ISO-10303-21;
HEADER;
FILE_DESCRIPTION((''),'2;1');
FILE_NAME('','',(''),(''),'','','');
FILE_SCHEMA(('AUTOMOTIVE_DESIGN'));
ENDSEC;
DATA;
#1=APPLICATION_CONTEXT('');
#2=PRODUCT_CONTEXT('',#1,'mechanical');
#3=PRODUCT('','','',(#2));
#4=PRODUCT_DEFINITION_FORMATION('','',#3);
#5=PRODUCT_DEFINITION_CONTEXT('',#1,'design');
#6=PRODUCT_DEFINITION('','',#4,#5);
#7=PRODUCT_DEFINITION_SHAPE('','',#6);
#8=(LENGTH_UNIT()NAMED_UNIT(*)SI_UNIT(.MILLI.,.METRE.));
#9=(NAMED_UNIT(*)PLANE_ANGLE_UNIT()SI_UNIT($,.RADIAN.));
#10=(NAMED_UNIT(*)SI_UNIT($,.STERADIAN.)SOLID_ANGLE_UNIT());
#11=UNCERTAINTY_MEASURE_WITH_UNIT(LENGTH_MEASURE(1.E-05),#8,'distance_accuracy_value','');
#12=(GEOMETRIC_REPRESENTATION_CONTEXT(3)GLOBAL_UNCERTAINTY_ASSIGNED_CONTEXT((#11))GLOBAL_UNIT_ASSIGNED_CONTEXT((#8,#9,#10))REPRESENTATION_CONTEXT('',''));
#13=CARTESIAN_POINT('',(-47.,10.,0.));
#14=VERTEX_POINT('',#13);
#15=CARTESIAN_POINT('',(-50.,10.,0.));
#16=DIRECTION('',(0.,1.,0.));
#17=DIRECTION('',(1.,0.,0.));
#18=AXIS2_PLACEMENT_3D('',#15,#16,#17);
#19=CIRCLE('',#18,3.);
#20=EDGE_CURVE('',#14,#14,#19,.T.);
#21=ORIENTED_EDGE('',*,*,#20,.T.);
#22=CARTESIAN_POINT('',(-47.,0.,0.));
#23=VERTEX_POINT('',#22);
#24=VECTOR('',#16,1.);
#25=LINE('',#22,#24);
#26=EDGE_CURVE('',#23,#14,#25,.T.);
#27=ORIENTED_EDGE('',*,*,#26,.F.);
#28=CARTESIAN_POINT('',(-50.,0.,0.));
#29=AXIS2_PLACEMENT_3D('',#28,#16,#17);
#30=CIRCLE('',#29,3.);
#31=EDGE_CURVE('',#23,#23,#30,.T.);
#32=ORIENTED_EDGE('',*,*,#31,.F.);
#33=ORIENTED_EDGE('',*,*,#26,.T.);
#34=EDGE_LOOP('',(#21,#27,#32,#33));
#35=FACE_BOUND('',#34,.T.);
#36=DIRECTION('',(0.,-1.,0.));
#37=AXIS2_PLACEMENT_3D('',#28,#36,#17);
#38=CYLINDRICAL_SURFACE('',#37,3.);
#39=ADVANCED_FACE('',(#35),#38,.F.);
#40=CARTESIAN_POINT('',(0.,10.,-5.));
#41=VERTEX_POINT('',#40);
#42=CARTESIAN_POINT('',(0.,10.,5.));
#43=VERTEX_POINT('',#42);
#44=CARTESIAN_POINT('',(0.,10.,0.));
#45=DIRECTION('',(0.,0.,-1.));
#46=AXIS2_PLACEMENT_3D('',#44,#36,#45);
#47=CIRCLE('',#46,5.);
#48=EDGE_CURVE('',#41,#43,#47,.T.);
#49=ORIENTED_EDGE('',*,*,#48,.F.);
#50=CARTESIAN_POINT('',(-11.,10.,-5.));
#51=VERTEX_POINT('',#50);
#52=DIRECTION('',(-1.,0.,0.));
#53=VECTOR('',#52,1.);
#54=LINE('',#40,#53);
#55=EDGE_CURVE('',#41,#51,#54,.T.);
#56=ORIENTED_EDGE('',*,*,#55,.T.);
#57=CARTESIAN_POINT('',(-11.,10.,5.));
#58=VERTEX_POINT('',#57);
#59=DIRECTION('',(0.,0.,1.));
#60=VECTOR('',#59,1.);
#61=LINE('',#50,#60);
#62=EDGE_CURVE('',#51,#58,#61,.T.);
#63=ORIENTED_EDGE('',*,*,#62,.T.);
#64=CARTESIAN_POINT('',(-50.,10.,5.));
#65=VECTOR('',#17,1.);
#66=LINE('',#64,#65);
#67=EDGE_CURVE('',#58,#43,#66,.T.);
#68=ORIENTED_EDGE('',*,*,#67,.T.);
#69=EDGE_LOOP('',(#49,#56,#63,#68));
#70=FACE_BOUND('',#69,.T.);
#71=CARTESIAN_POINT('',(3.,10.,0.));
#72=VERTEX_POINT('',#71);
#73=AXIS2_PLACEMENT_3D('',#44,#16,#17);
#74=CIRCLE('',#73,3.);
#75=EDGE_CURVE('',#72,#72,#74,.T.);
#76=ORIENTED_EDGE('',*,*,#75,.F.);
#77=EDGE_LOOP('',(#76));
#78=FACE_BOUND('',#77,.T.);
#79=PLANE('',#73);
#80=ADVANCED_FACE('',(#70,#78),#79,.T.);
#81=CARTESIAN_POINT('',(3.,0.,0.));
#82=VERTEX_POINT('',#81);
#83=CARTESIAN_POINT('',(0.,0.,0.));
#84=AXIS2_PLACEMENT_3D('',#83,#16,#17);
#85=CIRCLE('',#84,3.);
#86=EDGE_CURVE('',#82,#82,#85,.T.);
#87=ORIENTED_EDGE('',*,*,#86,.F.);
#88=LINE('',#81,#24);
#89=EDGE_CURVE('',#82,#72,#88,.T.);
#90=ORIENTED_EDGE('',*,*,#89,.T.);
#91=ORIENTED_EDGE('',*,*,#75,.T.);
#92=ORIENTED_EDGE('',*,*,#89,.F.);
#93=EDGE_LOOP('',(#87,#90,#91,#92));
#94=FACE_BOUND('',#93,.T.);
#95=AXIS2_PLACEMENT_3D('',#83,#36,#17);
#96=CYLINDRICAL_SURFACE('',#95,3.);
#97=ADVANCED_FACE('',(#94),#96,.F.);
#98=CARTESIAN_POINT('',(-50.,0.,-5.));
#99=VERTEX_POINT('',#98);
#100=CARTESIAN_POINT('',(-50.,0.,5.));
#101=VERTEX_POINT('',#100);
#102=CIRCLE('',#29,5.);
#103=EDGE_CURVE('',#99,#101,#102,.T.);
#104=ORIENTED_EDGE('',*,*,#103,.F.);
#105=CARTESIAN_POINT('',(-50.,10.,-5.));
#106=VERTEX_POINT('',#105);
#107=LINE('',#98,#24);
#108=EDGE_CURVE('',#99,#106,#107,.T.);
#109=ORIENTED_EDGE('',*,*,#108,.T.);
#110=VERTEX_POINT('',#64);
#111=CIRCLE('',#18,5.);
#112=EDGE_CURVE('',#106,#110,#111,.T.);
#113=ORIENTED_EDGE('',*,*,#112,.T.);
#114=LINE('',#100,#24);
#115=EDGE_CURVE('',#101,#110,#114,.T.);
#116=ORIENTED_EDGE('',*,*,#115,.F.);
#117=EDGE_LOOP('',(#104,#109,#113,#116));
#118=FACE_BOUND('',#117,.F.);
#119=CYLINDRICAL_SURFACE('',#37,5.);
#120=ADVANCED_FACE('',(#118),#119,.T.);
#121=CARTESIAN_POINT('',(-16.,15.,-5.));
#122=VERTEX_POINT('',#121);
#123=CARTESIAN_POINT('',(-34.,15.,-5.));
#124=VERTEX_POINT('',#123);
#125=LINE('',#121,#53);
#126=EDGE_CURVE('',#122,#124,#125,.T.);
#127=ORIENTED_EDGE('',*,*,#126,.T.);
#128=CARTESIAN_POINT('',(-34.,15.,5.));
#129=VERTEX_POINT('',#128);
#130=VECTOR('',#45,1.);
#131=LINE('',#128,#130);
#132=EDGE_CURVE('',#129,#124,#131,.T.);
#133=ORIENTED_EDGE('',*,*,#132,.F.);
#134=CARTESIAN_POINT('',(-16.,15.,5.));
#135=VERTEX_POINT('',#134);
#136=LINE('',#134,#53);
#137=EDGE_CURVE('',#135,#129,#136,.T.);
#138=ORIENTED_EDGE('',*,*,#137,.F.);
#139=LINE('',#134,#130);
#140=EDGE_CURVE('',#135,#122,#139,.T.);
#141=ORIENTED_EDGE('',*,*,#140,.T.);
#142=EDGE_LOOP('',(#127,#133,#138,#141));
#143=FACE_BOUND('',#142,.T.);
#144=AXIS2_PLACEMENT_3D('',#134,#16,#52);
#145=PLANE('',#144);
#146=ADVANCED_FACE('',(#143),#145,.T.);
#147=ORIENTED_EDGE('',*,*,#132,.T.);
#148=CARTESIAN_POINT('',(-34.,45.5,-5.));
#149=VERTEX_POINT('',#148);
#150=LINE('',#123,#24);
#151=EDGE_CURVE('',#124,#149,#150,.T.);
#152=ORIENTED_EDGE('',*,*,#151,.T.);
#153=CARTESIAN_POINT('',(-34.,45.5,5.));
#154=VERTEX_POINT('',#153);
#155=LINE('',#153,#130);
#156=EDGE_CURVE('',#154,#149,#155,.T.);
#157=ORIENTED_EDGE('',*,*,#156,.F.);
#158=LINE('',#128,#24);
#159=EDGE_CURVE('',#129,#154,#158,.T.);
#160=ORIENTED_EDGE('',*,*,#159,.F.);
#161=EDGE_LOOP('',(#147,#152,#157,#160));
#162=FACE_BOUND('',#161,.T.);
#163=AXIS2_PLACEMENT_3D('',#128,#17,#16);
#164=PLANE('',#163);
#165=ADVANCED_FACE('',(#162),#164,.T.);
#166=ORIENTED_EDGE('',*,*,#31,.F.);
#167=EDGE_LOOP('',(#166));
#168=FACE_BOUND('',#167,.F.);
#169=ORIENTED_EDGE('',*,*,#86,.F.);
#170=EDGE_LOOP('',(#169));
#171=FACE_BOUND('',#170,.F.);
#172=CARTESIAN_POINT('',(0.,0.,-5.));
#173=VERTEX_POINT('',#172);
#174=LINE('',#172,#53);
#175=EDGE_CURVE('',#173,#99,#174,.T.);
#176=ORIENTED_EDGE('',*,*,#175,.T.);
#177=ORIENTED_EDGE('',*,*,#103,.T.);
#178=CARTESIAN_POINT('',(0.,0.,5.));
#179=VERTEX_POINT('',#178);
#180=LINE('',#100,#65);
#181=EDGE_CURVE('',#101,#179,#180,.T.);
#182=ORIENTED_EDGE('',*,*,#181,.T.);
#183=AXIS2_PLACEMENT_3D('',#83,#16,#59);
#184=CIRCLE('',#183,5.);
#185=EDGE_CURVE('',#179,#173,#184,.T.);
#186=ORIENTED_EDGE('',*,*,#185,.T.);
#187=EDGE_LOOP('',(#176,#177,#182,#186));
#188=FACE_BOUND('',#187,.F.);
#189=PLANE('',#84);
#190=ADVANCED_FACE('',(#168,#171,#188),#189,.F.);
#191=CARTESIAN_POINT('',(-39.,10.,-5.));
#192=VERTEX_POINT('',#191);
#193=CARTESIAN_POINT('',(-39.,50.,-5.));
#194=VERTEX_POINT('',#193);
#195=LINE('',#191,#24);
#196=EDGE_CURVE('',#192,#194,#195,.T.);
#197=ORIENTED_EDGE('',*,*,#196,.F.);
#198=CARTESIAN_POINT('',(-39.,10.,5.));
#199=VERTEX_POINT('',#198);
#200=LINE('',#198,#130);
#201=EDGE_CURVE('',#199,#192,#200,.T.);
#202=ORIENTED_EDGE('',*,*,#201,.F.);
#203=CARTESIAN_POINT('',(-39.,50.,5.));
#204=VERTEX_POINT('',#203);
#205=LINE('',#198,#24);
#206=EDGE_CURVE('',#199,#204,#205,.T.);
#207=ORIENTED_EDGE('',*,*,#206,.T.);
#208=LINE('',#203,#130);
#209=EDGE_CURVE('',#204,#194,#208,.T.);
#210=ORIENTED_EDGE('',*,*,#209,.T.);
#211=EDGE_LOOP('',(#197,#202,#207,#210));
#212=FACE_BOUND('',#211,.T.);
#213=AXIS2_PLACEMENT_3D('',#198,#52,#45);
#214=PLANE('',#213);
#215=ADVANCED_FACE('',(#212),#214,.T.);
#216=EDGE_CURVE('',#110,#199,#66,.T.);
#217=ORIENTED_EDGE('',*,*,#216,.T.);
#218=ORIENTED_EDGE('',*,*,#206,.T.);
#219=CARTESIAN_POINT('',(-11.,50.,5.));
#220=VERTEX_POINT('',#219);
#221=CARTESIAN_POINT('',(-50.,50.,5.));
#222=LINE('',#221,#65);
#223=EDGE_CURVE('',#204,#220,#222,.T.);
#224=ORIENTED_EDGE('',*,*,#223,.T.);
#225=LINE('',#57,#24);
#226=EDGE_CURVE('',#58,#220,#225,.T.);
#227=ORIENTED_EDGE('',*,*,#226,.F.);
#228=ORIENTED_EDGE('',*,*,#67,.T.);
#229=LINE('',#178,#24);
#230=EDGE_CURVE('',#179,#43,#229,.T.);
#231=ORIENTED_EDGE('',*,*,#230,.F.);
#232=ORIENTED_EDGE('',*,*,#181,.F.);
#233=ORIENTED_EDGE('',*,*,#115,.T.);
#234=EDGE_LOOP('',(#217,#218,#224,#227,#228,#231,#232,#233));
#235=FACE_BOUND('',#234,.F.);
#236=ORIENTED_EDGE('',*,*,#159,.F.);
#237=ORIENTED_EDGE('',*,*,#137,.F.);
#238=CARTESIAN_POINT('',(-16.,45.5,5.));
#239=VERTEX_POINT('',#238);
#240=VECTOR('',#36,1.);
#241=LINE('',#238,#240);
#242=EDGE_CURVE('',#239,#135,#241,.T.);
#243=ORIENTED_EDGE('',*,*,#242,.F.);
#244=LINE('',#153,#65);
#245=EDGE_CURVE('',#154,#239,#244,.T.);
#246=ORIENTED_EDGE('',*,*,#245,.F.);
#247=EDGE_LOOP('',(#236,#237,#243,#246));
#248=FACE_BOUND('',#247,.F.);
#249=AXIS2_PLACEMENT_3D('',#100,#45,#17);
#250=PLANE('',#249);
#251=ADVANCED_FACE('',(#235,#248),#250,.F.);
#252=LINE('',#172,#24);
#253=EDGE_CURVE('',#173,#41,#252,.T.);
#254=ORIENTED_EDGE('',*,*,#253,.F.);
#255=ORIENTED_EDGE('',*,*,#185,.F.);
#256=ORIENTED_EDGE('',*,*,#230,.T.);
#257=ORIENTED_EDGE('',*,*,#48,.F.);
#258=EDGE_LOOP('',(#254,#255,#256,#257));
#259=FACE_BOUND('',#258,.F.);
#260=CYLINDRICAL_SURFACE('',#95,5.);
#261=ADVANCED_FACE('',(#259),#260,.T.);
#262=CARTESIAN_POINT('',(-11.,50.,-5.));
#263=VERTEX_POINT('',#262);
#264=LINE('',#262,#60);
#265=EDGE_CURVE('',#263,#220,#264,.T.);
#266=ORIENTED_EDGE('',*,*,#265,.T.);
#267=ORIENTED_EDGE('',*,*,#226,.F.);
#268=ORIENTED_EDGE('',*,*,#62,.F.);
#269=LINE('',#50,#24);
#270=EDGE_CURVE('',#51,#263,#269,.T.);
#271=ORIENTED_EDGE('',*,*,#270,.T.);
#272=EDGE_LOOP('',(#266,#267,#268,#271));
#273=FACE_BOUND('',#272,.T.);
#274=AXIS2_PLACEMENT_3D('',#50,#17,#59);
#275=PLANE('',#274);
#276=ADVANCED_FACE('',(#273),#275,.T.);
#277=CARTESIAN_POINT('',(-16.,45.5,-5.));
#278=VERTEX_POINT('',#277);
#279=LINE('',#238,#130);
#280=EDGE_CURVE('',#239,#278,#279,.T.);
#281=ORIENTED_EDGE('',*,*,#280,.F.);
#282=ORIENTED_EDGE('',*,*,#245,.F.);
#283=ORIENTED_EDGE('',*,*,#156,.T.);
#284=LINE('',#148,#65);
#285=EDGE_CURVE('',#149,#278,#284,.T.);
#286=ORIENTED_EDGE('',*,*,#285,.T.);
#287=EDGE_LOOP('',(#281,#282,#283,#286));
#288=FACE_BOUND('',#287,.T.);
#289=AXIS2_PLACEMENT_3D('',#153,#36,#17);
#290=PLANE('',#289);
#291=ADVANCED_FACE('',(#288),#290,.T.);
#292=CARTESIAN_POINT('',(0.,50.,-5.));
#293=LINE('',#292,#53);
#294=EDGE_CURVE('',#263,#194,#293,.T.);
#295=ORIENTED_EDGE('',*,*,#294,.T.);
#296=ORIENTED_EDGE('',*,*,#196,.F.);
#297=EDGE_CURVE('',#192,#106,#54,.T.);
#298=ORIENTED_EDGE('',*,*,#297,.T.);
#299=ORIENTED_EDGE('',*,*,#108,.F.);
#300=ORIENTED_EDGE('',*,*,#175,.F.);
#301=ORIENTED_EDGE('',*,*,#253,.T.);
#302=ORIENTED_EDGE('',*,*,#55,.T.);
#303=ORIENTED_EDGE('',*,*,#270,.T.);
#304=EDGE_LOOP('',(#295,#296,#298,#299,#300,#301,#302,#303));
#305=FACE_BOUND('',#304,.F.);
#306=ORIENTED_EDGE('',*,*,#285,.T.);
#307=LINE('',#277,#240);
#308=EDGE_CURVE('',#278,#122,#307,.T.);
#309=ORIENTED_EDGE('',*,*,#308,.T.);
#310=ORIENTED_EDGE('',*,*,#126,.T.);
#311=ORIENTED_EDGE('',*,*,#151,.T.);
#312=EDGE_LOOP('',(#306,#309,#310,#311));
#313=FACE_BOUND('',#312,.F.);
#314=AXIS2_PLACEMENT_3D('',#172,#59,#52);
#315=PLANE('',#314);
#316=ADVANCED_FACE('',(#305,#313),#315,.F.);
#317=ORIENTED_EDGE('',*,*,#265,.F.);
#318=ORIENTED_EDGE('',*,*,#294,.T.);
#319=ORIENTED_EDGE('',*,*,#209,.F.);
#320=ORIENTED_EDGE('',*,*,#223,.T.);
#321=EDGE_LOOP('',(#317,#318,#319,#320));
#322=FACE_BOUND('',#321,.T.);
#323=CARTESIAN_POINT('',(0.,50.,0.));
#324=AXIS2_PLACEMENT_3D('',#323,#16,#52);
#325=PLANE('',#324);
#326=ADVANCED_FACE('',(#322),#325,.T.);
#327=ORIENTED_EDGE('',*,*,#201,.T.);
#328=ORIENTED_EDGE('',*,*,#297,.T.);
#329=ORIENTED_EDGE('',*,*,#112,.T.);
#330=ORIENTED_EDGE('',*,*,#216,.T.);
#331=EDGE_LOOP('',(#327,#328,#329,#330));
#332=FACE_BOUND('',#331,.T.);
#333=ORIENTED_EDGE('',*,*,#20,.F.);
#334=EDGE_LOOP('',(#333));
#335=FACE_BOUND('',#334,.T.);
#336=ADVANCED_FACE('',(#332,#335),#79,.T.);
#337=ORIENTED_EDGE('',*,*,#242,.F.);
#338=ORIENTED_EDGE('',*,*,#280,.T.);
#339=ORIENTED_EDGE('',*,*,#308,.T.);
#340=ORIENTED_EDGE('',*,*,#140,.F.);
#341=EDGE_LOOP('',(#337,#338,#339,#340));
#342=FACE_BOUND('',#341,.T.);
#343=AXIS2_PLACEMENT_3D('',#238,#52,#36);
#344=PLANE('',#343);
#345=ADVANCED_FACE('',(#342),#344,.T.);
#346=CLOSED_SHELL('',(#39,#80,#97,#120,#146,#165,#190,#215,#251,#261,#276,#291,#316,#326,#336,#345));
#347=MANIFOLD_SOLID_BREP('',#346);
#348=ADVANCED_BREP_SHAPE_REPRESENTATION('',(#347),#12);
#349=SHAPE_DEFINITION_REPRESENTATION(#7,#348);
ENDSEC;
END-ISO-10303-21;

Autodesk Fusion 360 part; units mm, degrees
sketch "Sketch1" plane through (0, 0, 0) normal (0, 1, 0) x (1, 0, 0)
  circle A0 centre (0, 0) radius 3
  circle A1 centre (0, 0) radius 5
  line L0 (0, 0) -> (-50, 0) construction
  circle A2 centre (-50, 0) radius 3
  circle A3 centre (-50, 0) radius 5
  line L1 (-50, -5) -> (0, -5)
  line L2 (0, 5) -> (-50, 5)
  dimension "d1" = 6
  dimension "d2" = 10
  dimension "d3" = 50
  dimension "d4" = 6
  dimension "d5" = 10
extrude "Extrude1" add sketch "Sketch1" along normal blind 10
sketch "Sketch2" plane through (0, 10, 0) normal (0, 1, 0) x (-1, 0, 0)
  circle A0 centre (50, 0) radius 3
  circle A1 centre (0, 0) radius 3
  line L0 (0, -5) -> (50, -5)
  arc A2 (50, -5) -> (50, 5) centre (50, 0) ccw
  line L1 (50, 5) -> (0, 5)
  arc A3 (0, 5) -> (0, -5) centre (0, 0) ccw
  line L2 (11, 5) -> (39, 5)
  line L3 (39, 5) -> (39, -5)
  line L4 (39, -5) -> (11, -5)
  line L5 (11, -5) -> (11, 5)
  dimension "d8" = 28
extrude "Extrude2" add sketch "Sketch2" along normal blind 40 contours L0 L1 L2 L3 L4 L5
sketch "Sketch3" plane through (0, 0, 5) normal (0, 0, 1) x (-1, 0, 0)
  line L0 (50, 0) -> (0, 0)
  line L1 (0, 0) -> (0, -10)
  line L2 (0, -10) -> (11, -10)
  line L3 (11, -10) -> (11, -50)
  line L4 (11, -50) -> (39, -50)
  line L5 (39, -50) -> (39, -10)
  line L6 (39, -10) -> (50, -10)
  line L7 (50, -10) -> (50, 0)
  line L8 (11, -10) -> (39, -10) construction
  line L9 (25, -10) -> (25, -15) construction
  line L10 (34, -45.5) -> (16, -45.5)
  line L11 (16, -45.5) -> (16, -15)
  line L12 (16, -15) -> (34, -15)
  line L13 (34, -15) -> (34, -45.5)
  dimension "d11" = 5
  dimension "d12" = 18
  dimension "d13" = 30.5
extrude "Extrude3" cut sketch "Sketch3" against normal blind 10 contours L10 L11 L12 L13
